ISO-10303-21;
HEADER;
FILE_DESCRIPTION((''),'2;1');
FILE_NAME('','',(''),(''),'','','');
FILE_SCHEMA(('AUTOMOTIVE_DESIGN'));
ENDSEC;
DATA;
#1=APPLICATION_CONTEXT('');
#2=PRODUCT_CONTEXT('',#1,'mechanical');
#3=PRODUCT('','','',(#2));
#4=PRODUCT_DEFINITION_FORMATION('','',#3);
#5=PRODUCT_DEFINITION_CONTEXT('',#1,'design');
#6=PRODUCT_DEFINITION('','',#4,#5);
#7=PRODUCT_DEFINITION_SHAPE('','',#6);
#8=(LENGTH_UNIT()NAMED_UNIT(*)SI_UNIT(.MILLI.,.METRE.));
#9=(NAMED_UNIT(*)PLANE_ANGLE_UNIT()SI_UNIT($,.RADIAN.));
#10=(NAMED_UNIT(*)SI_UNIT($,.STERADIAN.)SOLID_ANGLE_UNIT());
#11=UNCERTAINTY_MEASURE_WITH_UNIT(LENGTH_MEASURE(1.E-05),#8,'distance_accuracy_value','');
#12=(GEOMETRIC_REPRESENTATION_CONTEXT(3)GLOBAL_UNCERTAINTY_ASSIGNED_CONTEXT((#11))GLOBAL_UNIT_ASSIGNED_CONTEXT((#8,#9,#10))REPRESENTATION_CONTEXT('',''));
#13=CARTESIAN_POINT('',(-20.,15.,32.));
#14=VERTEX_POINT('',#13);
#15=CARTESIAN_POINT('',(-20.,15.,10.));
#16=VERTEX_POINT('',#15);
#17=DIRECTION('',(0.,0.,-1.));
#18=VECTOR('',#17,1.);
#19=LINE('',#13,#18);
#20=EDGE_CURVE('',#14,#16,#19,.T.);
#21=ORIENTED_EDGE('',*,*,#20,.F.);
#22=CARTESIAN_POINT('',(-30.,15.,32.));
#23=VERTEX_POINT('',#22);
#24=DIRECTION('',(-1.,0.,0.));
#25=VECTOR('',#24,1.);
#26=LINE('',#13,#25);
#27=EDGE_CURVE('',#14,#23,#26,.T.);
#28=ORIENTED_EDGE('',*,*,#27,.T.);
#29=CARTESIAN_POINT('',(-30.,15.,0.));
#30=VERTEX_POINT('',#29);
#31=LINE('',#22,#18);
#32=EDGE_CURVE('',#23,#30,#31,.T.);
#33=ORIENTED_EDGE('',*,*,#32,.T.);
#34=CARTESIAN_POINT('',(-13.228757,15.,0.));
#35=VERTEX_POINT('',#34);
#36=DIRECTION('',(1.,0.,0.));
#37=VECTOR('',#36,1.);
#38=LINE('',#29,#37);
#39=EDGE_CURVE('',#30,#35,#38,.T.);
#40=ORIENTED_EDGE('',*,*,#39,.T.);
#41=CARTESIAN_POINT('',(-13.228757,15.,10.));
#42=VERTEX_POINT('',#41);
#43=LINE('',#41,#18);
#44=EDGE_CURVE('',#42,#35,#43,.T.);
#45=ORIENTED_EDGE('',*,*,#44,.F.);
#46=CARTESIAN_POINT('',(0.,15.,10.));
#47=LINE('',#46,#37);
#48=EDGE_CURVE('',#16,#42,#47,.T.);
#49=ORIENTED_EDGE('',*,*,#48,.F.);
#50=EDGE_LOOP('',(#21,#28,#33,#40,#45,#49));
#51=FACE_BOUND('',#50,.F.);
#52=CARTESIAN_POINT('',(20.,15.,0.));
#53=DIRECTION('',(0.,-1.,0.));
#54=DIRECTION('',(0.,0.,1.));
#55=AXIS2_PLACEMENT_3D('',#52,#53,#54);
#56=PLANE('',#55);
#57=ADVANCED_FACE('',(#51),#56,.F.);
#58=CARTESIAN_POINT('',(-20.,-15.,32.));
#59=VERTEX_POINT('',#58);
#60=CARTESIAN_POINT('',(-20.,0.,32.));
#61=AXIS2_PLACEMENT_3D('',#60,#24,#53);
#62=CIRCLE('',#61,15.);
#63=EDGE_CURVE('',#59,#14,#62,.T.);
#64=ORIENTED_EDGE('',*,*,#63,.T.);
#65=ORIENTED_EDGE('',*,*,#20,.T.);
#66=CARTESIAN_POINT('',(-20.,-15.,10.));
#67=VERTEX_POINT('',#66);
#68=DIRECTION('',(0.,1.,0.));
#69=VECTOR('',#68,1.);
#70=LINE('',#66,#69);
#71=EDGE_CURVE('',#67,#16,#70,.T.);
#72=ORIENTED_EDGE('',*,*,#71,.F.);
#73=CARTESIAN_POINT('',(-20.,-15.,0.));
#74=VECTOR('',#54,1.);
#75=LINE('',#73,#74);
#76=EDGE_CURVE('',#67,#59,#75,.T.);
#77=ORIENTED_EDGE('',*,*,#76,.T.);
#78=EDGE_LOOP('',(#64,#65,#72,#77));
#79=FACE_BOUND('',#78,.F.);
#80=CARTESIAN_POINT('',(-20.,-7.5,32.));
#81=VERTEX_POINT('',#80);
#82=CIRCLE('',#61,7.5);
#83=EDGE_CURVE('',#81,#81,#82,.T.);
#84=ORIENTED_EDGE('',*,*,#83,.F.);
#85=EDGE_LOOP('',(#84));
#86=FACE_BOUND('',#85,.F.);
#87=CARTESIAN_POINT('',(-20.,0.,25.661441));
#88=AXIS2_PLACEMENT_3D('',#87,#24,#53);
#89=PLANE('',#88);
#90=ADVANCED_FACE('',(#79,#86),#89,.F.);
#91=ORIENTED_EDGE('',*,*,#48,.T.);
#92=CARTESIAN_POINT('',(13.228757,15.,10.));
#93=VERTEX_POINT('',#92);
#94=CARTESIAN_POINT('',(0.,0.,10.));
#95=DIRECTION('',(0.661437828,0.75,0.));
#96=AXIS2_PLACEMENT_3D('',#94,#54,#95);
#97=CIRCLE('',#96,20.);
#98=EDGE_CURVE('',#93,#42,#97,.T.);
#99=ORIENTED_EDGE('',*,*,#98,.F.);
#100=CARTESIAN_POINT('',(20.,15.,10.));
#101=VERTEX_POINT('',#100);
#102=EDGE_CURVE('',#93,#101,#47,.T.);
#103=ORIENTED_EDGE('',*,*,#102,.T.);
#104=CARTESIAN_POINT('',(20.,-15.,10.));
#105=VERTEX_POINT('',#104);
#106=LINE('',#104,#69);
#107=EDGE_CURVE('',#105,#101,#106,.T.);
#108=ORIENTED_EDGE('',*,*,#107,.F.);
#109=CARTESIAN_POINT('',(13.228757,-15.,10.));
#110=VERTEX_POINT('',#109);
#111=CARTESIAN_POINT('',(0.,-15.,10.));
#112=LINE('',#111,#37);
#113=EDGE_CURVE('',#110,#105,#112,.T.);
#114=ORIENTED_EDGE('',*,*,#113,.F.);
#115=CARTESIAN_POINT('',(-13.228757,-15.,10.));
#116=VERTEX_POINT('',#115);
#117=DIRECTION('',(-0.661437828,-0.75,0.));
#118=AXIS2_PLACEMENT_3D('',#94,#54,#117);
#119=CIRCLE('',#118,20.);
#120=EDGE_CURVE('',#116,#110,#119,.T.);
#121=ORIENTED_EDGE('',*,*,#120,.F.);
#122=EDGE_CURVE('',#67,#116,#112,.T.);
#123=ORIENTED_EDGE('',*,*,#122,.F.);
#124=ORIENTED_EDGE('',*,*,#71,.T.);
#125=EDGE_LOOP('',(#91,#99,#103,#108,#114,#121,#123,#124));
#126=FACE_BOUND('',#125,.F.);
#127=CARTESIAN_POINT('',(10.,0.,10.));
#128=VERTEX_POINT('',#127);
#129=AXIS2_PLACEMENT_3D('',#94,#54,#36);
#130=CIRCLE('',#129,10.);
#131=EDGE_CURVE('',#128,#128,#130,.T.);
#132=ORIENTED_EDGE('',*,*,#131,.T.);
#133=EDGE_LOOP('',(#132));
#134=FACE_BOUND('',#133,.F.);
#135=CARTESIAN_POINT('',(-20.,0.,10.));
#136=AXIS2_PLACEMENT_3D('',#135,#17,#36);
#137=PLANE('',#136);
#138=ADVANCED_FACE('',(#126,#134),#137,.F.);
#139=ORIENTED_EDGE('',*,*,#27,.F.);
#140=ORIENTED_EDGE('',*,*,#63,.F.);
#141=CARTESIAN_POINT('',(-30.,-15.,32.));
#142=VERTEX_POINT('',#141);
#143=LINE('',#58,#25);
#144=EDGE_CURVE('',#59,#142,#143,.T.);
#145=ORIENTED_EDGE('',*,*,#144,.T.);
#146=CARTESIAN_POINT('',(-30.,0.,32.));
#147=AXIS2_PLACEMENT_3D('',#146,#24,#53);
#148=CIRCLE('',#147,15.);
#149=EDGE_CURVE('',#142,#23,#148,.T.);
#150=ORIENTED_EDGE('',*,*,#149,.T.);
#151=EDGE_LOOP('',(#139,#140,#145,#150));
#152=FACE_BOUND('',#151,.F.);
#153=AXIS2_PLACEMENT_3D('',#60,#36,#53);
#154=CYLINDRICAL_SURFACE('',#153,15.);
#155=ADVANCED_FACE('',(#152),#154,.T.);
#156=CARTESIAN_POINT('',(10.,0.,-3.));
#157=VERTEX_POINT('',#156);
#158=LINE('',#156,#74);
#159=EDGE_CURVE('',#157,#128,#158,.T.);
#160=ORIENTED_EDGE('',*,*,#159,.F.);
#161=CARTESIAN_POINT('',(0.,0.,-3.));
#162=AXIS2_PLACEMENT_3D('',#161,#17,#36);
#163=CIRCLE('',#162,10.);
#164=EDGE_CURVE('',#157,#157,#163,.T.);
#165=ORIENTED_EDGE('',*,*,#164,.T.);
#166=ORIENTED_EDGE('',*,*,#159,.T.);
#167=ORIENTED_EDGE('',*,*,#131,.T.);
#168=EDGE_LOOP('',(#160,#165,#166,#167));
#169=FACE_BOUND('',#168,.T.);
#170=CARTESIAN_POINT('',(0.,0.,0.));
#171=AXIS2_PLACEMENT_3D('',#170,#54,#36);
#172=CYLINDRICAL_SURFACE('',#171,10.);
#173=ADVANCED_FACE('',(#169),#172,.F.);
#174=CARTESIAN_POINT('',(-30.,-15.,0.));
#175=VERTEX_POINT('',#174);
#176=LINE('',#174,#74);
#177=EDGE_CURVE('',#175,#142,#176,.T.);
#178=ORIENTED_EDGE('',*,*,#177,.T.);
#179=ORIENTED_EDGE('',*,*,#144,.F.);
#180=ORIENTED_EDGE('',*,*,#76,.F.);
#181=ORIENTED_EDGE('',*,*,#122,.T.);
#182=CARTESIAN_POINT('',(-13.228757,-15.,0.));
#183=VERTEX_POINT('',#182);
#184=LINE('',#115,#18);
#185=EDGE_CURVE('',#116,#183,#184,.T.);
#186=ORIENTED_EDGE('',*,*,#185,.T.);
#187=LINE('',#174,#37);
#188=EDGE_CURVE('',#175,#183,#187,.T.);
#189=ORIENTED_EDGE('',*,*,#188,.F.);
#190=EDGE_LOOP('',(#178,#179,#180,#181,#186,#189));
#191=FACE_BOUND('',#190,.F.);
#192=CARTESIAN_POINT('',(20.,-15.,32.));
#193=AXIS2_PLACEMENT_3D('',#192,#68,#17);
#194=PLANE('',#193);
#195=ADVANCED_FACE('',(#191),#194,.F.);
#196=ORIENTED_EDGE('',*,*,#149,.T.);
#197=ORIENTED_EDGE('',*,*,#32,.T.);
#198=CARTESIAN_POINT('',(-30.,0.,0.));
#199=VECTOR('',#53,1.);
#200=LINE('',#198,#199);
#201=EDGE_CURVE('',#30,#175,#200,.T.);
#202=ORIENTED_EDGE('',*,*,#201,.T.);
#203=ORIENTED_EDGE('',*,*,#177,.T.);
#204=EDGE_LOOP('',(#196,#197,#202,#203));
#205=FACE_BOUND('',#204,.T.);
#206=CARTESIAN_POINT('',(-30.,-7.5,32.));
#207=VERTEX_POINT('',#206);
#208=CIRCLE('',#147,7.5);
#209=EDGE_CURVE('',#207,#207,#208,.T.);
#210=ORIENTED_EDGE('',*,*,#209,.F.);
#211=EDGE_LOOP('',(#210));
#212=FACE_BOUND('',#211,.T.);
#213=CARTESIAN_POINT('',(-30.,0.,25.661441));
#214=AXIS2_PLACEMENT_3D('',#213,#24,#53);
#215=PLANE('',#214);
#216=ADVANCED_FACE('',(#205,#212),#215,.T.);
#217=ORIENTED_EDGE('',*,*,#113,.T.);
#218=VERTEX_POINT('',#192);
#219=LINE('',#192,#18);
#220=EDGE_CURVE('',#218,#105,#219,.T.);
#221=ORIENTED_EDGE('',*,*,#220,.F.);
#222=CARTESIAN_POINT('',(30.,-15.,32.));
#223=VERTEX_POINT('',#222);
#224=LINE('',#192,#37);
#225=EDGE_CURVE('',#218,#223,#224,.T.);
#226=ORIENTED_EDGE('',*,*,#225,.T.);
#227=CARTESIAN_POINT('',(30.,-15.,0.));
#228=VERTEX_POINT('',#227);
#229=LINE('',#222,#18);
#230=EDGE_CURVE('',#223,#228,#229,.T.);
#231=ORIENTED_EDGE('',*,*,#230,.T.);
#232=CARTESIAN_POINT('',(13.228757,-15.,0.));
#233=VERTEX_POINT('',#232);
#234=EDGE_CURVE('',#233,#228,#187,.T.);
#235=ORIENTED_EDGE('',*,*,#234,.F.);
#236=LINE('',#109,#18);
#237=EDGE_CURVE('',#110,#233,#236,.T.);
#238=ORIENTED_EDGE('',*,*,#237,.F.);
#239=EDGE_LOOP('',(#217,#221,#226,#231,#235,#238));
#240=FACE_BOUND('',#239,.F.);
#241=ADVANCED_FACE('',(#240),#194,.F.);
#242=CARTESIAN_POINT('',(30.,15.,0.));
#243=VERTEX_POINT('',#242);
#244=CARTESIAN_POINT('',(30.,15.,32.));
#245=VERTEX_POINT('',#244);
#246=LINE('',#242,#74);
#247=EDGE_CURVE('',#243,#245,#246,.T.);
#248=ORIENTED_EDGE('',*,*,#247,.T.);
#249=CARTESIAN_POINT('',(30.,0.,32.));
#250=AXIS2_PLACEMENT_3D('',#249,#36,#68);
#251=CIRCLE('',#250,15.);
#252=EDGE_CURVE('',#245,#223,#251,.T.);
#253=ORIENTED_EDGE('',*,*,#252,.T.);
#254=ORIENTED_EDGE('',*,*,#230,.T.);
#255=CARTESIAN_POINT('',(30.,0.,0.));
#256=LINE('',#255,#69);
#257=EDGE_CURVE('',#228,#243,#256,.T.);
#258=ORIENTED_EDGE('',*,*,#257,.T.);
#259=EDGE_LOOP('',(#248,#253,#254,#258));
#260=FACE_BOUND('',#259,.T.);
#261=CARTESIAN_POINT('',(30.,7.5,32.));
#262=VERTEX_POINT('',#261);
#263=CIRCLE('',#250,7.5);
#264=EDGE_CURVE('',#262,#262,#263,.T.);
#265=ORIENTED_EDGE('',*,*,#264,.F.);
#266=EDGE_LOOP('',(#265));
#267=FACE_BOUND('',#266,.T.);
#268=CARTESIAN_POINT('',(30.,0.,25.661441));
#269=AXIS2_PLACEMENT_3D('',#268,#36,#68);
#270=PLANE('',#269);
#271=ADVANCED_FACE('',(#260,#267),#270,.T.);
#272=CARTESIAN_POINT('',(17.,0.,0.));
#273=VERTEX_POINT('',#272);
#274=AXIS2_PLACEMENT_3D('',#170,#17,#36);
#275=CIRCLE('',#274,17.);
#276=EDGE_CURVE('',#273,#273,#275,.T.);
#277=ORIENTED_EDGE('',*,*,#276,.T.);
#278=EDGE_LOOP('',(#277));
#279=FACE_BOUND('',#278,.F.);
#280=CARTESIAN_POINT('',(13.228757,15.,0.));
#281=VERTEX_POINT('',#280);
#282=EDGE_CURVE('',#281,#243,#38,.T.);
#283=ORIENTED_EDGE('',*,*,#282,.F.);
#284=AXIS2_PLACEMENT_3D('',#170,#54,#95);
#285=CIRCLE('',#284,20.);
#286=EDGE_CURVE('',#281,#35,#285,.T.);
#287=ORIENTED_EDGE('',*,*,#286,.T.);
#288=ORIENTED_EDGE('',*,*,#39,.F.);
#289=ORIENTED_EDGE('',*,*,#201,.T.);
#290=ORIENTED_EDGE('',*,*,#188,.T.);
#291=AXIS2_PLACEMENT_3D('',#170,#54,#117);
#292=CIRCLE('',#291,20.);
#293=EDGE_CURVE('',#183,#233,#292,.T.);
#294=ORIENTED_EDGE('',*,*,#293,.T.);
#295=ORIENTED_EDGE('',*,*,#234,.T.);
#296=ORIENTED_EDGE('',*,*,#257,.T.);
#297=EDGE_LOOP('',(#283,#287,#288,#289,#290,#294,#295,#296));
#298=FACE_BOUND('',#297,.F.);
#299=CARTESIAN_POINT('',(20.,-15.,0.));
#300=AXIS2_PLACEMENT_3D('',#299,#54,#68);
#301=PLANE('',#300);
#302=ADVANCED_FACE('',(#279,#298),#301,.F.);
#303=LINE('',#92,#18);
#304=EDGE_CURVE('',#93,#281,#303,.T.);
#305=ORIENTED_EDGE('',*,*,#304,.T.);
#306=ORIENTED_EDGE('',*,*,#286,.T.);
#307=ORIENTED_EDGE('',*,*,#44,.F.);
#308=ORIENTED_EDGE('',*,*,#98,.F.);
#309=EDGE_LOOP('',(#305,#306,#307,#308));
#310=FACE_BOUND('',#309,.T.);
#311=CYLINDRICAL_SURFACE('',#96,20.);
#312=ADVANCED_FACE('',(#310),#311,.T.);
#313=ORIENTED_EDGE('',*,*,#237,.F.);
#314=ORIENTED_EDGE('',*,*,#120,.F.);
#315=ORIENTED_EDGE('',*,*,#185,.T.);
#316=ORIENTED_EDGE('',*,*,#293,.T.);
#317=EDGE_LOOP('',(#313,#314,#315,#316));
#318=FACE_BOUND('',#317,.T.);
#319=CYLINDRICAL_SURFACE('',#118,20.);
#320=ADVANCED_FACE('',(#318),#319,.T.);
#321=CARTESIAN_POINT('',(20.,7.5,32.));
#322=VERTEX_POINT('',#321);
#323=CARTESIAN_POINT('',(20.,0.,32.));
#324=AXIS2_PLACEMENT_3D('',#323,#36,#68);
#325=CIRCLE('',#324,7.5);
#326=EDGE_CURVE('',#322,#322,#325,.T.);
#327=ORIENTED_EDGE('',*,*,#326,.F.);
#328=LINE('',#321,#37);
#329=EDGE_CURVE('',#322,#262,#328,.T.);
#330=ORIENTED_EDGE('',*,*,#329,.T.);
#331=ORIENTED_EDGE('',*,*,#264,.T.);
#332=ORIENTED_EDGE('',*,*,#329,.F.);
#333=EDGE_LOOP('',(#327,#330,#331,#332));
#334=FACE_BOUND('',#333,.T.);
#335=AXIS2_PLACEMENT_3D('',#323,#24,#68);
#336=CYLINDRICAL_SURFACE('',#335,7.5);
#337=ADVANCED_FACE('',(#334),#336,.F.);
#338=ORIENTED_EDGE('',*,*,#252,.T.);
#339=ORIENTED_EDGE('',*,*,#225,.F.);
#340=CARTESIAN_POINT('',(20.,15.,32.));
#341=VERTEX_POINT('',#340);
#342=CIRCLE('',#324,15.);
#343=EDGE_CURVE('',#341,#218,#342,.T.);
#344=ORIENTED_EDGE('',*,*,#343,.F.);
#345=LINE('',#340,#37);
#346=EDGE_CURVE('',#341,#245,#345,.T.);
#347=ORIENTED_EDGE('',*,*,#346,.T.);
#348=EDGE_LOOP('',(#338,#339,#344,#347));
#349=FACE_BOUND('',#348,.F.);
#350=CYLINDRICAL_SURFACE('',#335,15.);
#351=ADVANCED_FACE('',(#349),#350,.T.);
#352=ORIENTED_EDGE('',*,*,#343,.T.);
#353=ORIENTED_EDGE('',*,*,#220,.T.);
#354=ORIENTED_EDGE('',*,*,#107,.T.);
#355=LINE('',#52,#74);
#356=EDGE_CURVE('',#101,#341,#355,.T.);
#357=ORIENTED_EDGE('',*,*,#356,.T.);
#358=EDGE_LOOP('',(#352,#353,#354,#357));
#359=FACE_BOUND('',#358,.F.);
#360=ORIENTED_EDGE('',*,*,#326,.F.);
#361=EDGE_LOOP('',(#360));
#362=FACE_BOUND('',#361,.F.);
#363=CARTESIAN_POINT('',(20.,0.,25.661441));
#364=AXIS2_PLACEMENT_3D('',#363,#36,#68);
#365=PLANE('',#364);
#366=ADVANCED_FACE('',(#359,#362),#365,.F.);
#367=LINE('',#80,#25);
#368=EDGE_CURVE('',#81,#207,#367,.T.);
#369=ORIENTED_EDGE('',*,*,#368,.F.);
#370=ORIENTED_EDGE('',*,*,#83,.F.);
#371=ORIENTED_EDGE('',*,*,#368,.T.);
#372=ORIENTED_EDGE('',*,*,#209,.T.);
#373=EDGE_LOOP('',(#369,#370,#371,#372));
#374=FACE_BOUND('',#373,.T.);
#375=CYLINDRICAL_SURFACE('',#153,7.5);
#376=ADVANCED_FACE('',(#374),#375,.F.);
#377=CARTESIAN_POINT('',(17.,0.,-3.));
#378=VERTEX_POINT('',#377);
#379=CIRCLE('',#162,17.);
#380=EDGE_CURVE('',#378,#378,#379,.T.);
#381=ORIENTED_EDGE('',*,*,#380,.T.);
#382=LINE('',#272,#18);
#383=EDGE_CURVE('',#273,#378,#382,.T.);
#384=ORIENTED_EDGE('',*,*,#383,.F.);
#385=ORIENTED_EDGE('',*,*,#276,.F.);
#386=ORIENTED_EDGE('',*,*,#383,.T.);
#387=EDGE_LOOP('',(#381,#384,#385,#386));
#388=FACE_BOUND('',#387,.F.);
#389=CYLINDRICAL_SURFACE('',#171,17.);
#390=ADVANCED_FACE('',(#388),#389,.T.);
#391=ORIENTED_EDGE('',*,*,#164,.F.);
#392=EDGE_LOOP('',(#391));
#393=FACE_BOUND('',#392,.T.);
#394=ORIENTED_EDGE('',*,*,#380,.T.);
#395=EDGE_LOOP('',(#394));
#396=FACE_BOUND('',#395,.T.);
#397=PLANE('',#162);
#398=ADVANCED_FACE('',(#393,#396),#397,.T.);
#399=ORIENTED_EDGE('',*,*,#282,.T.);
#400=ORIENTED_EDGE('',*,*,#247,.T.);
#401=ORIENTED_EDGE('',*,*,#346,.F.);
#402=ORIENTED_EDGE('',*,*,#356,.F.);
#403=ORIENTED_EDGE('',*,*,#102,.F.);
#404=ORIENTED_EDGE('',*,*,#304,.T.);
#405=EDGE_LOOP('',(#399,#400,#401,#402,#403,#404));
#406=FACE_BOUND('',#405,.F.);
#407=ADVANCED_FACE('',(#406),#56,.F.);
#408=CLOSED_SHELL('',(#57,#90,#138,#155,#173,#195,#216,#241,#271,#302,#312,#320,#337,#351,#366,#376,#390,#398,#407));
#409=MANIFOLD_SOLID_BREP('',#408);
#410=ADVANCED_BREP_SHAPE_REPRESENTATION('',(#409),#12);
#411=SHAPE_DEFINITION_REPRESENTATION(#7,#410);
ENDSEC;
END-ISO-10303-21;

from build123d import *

# Parameters (mm, degrees)
F0_W      = 40
F0_H      = 10
F1_DEPTH  = 15
F2_R      = 7.5
F2_W      = 30
F2_H      = 10
F3_DEPTH  = 10
F4_R      = 7.5
F4_W      = 30
F4_H      = 10
F5_DEPTH  = 10
F7_DEPTH  = 10
F8_R      = 10
F9_DEPTH  = 10.001
F10_R     = 17
F10_R_2   = 10
F11_DEPTH = 3


with BuildPart() as f1:
    # F0 (on Front) → F1 (new body, symmetric)
    with BuildSketch(Plane.XZ):
        with Locations((0, 5)):
            Rectangle(F0_W, F0_H)
    extrude(amount=F1_DEPTH, both=True)

    # F2 (on face) → F3 (join)
    with BuildSketch(Plane(origin=(-20, 0, 0), x_dir=(0, -1, 0), z_dir=(-1, 0, 0))):
        with BuildLine():
            Line((-15, 32), (-15, 10))
            Line((-15, 10), (15, 10))
            Line((15, 10), (15, 32))
            ThreePointArc((15, 32), (0, 47), (-15, 32))
        make_face()
        with Locations((0, 32)):
            Circle(F2_R, mode=Mode.SUBTRACT)
        with Locations((0, 5)):
            Rectangle(F2_W, F2_H)
    extrude(amount=F3_DEPTH)

    # F4 (on face) → F5 (join)
    with BuildSketch(Plane.YZ.offset(20)):
        with BuildLine():
            Line((-15, 32), (-15, 10))
            Line((-15, 10), (15, 10))
            Line((15, 10), (15, 32))
            ThreePointArc((15, 32), (0, 47), (-15, 32))
        make_face()
        with Locations((0, 32)):
            Circle(F4_R, mode=Mode.SUBTRACT)
        with Locations((0, 5)):
            Rectangle(F4_W, F4_H)
    extrude(amount=F5_DEPTH)

    # F6 (on face) → F7 (join)
    with BuildSketch(Plane.XY.offset(10)):
        with BuildLine():
            ThreePointArc((13.2287565553, 15), (0, 20), (-13.2287565553, 15))
            Line((-13.2287565553, 15), (13.2287565553, 15))
        make_face()
        with BuildLine():
            Line((13.2287565553, -15), (-13.2287565553, -15))
            ThreePointArc((-13.2287565553, -15), (0, -20), (13.2287565553, -15))
        make_face()
    extrude(amount=-F7_DEPTH)

    # F8 (on face) → F9 (cut, through all)
    with BuildSketch(Plane.XY.offset(10)):
        Circle(F8_R)
    extrude(amount=-F9_DEPTH, mode=Mode.SUBTRACT)

    # F10 (on face) → F11 (join)
    with BuildSketch(Plane(origin=(0, 0, 0), x_dir=(1, 0, 0), z_dir=(0, 0, -1))):
        Circle(F10_R)
        Circle(F10_R_2, mode=Mode.SUBTRACT)
    extrude(amount=F11_DEPTH)


solid = f1.part
